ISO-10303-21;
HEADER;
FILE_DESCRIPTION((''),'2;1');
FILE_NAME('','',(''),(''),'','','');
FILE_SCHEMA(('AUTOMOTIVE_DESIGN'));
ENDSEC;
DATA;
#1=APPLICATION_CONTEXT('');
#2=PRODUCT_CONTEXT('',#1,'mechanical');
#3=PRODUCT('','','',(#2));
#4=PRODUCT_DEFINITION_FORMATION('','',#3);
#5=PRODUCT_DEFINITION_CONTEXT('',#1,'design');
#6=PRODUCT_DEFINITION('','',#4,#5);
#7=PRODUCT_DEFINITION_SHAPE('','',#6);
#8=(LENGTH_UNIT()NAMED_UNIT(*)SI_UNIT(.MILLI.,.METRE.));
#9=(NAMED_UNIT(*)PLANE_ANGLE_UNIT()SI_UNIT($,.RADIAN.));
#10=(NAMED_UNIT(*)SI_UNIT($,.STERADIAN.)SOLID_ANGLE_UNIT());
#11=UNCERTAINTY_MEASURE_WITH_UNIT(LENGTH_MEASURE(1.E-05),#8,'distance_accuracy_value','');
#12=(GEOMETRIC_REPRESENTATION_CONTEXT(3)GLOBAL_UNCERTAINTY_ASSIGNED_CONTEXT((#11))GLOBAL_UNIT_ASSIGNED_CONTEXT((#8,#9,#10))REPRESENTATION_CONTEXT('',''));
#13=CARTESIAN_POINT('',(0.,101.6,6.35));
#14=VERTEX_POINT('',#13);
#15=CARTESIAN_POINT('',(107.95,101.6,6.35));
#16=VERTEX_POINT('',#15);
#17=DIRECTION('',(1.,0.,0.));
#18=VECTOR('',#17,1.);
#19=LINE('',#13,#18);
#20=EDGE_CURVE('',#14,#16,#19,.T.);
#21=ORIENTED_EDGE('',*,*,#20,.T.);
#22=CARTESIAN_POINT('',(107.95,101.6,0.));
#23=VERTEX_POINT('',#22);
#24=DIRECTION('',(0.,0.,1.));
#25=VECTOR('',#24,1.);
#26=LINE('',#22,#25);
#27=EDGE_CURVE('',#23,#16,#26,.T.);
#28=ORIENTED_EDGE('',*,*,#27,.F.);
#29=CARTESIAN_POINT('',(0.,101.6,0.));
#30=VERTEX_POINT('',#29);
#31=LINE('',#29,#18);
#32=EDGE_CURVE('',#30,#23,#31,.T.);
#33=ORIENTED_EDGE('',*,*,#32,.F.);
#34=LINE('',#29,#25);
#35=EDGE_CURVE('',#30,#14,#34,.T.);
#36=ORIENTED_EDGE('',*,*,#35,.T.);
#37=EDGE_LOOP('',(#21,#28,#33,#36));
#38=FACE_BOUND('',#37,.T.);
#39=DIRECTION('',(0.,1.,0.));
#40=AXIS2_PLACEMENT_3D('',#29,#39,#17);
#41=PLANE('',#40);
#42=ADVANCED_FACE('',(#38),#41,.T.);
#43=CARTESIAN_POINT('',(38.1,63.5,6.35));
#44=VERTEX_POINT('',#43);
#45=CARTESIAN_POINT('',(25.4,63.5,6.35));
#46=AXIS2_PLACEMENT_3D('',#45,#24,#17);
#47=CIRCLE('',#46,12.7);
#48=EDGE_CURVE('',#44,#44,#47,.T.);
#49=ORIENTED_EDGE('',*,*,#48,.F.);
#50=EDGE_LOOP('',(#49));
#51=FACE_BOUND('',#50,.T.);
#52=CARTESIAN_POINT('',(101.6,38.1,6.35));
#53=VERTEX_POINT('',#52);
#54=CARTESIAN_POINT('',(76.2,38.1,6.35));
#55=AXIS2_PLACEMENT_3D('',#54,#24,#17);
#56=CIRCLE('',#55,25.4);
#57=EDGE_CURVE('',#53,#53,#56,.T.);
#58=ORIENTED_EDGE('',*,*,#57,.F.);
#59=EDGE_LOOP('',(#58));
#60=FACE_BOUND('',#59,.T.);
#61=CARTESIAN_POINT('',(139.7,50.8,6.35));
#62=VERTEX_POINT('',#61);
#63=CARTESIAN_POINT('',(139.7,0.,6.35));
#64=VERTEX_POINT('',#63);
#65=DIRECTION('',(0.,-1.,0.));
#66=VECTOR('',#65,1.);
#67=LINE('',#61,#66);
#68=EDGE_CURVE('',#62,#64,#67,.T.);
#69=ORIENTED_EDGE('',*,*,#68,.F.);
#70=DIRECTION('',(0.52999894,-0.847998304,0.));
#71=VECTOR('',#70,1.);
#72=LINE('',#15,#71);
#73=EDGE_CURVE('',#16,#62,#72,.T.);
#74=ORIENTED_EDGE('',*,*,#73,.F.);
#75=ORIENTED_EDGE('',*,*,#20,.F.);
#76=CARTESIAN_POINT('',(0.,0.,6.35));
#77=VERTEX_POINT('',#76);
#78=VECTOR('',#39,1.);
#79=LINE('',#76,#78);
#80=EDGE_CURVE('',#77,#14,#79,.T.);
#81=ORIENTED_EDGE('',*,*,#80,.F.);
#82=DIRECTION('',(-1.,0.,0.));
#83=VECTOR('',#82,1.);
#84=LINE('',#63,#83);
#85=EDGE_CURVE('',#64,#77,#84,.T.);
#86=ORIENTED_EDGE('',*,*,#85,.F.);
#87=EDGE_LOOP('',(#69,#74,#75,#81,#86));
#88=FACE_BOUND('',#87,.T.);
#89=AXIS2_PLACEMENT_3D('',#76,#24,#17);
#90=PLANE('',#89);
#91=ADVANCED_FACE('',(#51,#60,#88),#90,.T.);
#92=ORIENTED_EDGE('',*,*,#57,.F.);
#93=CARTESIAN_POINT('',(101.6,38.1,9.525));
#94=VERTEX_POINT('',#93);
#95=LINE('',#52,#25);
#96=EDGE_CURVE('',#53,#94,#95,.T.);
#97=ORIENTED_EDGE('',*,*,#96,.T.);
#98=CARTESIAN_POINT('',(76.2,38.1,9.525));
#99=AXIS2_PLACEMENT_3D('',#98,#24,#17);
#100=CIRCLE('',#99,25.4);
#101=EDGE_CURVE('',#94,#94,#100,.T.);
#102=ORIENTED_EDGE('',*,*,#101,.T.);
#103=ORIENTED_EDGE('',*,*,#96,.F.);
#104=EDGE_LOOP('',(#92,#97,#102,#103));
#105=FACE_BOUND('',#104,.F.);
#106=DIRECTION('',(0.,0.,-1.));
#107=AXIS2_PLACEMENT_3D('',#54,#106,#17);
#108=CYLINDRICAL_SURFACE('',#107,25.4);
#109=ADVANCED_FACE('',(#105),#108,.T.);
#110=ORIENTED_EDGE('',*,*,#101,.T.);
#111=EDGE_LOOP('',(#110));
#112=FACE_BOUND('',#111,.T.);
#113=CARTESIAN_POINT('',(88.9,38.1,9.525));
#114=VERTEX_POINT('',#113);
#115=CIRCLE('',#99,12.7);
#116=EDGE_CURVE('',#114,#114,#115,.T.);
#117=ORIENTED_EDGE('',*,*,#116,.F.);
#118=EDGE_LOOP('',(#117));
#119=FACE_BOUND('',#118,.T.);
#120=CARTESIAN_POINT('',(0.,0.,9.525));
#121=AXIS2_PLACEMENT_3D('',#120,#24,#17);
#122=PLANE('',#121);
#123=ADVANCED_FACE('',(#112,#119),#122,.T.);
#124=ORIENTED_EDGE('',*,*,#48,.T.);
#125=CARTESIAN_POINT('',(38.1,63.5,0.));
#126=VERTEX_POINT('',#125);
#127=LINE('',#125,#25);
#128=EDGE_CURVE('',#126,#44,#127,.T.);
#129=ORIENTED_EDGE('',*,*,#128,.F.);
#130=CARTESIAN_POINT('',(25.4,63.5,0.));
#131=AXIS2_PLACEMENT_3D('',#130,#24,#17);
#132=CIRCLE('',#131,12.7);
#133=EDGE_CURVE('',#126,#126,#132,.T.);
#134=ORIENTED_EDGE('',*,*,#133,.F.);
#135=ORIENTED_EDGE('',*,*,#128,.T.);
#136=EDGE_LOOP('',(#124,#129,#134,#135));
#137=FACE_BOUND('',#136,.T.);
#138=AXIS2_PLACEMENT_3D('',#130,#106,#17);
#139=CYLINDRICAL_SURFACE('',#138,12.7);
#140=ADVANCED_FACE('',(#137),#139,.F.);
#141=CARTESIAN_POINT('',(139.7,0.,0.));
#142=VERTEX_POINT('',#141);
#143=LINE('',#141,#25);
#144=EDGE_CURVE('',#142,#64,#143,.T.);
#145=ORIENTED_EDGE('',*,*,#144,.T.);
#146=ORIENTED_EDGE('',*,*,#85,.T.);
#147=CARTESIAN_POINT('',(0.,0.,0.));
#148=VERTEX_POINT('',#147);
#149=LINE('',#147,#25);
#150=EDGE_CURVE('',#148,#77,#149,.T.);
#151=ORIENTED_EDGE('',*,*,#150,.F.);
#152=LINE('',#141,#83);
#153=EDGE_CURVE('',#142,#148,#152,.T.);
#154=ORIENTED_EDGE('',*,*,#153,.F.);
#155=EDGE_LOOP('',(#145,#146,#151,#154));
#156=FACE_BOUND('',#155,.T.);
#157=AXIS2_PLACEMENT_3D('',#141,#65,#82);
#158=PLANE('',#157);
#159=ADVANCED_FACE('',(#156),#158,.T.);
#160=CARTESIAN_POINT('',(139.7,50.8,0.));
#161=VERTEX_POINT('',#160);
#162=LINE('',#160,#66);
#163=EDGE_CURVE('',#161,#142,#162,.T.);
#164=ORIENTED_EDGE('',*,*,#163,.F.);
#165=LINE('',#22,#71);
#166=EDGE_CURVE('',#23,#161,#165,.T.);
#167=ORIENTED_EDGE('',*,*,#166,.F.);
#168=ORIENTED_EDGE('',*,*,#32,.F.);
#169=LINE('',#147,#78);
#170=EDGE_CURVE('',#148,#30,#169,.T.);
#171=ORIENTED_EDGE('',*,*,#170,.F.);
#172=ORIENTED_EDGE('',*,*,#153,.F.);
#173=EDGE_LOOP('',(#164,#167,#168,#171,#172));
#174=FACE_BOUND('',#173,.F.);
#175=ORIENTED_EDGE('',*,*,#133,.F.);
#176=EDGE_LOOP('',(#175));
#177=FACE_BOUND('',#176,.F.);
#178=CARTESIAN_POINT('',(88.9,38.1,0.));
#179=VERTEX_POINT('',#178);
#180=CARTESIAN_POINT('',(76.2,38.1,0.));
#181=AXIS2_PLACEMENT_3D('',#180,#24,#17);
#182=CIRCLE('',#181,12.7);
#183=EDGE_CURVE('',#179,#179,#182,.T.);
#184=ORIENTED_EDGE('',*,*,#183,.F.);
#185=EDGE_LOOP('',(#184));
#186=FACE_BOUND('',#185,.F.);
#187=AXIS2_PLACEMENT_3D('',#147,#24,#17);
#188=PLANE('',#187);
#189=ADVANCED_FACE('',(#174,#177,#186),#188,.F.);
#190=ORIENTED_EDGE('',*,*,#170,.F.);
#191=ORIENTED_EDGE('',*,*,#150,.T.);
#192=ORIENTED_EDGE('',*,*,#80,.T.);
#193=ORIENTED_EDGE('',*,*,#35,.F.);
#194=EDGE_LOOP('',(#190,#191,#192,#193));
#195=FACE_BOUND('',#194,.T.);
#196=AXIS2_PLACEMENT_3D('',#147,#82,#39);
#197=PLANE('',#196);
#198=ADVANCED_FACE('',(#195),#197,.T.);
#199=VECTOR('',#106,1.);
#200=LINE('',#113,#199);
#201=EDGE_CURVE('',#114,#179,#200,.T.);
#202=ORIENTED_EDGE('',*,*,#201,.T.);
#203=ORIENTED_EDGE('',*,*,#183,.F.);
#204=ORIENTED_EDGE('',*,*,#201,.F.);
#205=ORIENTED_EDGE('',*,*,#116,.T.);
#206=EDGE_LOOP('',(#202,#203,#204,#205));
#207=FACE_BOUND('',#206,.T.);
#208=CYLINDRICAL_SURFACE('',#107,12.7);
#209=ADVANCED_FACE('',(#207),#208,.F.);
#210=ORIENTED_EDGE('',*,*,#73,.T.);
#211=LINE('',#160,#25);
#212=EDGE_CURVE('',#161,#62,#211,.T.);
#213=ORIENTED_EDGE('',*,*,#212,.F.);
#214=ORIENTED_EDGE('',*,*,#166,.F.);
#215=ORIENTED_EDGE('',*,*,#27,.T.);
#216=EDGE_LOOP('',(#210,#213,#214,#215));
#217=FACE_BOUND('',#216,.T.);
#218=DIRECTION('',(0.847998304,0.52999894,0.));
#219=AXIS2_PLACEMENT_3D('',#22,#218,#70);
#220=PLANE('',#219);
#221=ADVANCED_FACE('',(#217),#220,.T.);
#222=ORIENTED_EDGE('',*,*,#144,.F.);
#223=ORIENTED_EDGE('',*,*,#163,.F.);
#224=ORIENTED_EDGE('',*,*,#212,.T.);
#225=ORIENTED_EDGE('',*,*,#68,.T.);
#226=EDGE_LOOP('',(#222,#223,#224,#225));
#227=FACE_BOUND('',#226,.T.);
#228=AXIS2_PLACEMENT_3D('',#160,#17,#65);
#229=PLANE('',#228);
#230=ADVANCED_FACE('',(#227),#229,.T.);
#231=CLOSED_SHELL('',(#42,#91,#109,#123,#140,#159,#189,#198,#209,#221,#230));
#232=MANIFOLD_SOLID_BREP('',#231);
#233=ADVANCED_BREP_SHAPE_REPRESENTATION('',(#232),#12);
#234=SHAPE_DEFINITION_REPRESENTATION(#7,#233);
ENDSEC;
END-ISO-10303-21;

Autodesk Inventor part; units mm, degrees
ref_plane "YZ Plane" through (0, 0, 0) normal (1, 0, 0) x (0, 1, 0)
ref_plane "XZ Plane" through (0, 0, 0) normal (0, 1, 0) x (-1, 0, 0)
ref_plane "XY Plane" through (0, 0, 0) normal (0, 0, 1) x (1, 0, 0)
sketch "Sketch1" plane through (0, 0, 0) normal (0, 0, 1) x (1, 0, 0)
  line L0 (0, 0) -> (0, 101.6)
  line L1 (0, 101.6) -> (107.95, 101.6)
  line L2 (107.95, 101.6) -> (139.7, 50.8)
  line L3 (139.7, 50.8) -> (139.7, 0)
  line L4 (139.7, 0) -> (0, 0)
  circle A0 centre (25.4, 63.5) radius 12.7
  circle A1 centre (76.2, 38.1) radius 25.4
  circle A2 centre (76.2, 38.1) radius 12.7
  dimension "d0" = 101.6
  dimension "d1" = 139.7
  dimension "d2" = 107.95
  dimension "d3" = 50.8
  dimension "d4" = 25.4
  dimension "d5" = 63.5
  dimension "d6" = 25.4
  dimension "d7" = 50.8
  dimension "d8" = 76.2
  dimension "d9" = 38.1
  dimension "d10" = 25.4
extrude "Extrusion1" add sketch "Sketch1" along normal blind 6.35 contours L0 L1 L2 L3 L4 | A1
sketch "Sketch2" plane through (0, 0, 6.35) normal (0, 0, 1) x (1, 0, 0)
  circle A0 centre (76.2, 38.1) radius 25.4
  line L0 (0, 101.6) -> (0, 0) projected
  line L1 (0, 0) -> (139.7, 0) projected
  circle A1 centre (76.2, 38.1) radius 12.7
  dimension "d13" = 50.8
  dimension "d14" = 76.2
  dimension "d15" = 38.1
  dimension "d16" = 25.4
extrude "Extrusion2" add sketch "Sketch2" along normal blind 3.175
properties part number "HW 2 Part 2"
